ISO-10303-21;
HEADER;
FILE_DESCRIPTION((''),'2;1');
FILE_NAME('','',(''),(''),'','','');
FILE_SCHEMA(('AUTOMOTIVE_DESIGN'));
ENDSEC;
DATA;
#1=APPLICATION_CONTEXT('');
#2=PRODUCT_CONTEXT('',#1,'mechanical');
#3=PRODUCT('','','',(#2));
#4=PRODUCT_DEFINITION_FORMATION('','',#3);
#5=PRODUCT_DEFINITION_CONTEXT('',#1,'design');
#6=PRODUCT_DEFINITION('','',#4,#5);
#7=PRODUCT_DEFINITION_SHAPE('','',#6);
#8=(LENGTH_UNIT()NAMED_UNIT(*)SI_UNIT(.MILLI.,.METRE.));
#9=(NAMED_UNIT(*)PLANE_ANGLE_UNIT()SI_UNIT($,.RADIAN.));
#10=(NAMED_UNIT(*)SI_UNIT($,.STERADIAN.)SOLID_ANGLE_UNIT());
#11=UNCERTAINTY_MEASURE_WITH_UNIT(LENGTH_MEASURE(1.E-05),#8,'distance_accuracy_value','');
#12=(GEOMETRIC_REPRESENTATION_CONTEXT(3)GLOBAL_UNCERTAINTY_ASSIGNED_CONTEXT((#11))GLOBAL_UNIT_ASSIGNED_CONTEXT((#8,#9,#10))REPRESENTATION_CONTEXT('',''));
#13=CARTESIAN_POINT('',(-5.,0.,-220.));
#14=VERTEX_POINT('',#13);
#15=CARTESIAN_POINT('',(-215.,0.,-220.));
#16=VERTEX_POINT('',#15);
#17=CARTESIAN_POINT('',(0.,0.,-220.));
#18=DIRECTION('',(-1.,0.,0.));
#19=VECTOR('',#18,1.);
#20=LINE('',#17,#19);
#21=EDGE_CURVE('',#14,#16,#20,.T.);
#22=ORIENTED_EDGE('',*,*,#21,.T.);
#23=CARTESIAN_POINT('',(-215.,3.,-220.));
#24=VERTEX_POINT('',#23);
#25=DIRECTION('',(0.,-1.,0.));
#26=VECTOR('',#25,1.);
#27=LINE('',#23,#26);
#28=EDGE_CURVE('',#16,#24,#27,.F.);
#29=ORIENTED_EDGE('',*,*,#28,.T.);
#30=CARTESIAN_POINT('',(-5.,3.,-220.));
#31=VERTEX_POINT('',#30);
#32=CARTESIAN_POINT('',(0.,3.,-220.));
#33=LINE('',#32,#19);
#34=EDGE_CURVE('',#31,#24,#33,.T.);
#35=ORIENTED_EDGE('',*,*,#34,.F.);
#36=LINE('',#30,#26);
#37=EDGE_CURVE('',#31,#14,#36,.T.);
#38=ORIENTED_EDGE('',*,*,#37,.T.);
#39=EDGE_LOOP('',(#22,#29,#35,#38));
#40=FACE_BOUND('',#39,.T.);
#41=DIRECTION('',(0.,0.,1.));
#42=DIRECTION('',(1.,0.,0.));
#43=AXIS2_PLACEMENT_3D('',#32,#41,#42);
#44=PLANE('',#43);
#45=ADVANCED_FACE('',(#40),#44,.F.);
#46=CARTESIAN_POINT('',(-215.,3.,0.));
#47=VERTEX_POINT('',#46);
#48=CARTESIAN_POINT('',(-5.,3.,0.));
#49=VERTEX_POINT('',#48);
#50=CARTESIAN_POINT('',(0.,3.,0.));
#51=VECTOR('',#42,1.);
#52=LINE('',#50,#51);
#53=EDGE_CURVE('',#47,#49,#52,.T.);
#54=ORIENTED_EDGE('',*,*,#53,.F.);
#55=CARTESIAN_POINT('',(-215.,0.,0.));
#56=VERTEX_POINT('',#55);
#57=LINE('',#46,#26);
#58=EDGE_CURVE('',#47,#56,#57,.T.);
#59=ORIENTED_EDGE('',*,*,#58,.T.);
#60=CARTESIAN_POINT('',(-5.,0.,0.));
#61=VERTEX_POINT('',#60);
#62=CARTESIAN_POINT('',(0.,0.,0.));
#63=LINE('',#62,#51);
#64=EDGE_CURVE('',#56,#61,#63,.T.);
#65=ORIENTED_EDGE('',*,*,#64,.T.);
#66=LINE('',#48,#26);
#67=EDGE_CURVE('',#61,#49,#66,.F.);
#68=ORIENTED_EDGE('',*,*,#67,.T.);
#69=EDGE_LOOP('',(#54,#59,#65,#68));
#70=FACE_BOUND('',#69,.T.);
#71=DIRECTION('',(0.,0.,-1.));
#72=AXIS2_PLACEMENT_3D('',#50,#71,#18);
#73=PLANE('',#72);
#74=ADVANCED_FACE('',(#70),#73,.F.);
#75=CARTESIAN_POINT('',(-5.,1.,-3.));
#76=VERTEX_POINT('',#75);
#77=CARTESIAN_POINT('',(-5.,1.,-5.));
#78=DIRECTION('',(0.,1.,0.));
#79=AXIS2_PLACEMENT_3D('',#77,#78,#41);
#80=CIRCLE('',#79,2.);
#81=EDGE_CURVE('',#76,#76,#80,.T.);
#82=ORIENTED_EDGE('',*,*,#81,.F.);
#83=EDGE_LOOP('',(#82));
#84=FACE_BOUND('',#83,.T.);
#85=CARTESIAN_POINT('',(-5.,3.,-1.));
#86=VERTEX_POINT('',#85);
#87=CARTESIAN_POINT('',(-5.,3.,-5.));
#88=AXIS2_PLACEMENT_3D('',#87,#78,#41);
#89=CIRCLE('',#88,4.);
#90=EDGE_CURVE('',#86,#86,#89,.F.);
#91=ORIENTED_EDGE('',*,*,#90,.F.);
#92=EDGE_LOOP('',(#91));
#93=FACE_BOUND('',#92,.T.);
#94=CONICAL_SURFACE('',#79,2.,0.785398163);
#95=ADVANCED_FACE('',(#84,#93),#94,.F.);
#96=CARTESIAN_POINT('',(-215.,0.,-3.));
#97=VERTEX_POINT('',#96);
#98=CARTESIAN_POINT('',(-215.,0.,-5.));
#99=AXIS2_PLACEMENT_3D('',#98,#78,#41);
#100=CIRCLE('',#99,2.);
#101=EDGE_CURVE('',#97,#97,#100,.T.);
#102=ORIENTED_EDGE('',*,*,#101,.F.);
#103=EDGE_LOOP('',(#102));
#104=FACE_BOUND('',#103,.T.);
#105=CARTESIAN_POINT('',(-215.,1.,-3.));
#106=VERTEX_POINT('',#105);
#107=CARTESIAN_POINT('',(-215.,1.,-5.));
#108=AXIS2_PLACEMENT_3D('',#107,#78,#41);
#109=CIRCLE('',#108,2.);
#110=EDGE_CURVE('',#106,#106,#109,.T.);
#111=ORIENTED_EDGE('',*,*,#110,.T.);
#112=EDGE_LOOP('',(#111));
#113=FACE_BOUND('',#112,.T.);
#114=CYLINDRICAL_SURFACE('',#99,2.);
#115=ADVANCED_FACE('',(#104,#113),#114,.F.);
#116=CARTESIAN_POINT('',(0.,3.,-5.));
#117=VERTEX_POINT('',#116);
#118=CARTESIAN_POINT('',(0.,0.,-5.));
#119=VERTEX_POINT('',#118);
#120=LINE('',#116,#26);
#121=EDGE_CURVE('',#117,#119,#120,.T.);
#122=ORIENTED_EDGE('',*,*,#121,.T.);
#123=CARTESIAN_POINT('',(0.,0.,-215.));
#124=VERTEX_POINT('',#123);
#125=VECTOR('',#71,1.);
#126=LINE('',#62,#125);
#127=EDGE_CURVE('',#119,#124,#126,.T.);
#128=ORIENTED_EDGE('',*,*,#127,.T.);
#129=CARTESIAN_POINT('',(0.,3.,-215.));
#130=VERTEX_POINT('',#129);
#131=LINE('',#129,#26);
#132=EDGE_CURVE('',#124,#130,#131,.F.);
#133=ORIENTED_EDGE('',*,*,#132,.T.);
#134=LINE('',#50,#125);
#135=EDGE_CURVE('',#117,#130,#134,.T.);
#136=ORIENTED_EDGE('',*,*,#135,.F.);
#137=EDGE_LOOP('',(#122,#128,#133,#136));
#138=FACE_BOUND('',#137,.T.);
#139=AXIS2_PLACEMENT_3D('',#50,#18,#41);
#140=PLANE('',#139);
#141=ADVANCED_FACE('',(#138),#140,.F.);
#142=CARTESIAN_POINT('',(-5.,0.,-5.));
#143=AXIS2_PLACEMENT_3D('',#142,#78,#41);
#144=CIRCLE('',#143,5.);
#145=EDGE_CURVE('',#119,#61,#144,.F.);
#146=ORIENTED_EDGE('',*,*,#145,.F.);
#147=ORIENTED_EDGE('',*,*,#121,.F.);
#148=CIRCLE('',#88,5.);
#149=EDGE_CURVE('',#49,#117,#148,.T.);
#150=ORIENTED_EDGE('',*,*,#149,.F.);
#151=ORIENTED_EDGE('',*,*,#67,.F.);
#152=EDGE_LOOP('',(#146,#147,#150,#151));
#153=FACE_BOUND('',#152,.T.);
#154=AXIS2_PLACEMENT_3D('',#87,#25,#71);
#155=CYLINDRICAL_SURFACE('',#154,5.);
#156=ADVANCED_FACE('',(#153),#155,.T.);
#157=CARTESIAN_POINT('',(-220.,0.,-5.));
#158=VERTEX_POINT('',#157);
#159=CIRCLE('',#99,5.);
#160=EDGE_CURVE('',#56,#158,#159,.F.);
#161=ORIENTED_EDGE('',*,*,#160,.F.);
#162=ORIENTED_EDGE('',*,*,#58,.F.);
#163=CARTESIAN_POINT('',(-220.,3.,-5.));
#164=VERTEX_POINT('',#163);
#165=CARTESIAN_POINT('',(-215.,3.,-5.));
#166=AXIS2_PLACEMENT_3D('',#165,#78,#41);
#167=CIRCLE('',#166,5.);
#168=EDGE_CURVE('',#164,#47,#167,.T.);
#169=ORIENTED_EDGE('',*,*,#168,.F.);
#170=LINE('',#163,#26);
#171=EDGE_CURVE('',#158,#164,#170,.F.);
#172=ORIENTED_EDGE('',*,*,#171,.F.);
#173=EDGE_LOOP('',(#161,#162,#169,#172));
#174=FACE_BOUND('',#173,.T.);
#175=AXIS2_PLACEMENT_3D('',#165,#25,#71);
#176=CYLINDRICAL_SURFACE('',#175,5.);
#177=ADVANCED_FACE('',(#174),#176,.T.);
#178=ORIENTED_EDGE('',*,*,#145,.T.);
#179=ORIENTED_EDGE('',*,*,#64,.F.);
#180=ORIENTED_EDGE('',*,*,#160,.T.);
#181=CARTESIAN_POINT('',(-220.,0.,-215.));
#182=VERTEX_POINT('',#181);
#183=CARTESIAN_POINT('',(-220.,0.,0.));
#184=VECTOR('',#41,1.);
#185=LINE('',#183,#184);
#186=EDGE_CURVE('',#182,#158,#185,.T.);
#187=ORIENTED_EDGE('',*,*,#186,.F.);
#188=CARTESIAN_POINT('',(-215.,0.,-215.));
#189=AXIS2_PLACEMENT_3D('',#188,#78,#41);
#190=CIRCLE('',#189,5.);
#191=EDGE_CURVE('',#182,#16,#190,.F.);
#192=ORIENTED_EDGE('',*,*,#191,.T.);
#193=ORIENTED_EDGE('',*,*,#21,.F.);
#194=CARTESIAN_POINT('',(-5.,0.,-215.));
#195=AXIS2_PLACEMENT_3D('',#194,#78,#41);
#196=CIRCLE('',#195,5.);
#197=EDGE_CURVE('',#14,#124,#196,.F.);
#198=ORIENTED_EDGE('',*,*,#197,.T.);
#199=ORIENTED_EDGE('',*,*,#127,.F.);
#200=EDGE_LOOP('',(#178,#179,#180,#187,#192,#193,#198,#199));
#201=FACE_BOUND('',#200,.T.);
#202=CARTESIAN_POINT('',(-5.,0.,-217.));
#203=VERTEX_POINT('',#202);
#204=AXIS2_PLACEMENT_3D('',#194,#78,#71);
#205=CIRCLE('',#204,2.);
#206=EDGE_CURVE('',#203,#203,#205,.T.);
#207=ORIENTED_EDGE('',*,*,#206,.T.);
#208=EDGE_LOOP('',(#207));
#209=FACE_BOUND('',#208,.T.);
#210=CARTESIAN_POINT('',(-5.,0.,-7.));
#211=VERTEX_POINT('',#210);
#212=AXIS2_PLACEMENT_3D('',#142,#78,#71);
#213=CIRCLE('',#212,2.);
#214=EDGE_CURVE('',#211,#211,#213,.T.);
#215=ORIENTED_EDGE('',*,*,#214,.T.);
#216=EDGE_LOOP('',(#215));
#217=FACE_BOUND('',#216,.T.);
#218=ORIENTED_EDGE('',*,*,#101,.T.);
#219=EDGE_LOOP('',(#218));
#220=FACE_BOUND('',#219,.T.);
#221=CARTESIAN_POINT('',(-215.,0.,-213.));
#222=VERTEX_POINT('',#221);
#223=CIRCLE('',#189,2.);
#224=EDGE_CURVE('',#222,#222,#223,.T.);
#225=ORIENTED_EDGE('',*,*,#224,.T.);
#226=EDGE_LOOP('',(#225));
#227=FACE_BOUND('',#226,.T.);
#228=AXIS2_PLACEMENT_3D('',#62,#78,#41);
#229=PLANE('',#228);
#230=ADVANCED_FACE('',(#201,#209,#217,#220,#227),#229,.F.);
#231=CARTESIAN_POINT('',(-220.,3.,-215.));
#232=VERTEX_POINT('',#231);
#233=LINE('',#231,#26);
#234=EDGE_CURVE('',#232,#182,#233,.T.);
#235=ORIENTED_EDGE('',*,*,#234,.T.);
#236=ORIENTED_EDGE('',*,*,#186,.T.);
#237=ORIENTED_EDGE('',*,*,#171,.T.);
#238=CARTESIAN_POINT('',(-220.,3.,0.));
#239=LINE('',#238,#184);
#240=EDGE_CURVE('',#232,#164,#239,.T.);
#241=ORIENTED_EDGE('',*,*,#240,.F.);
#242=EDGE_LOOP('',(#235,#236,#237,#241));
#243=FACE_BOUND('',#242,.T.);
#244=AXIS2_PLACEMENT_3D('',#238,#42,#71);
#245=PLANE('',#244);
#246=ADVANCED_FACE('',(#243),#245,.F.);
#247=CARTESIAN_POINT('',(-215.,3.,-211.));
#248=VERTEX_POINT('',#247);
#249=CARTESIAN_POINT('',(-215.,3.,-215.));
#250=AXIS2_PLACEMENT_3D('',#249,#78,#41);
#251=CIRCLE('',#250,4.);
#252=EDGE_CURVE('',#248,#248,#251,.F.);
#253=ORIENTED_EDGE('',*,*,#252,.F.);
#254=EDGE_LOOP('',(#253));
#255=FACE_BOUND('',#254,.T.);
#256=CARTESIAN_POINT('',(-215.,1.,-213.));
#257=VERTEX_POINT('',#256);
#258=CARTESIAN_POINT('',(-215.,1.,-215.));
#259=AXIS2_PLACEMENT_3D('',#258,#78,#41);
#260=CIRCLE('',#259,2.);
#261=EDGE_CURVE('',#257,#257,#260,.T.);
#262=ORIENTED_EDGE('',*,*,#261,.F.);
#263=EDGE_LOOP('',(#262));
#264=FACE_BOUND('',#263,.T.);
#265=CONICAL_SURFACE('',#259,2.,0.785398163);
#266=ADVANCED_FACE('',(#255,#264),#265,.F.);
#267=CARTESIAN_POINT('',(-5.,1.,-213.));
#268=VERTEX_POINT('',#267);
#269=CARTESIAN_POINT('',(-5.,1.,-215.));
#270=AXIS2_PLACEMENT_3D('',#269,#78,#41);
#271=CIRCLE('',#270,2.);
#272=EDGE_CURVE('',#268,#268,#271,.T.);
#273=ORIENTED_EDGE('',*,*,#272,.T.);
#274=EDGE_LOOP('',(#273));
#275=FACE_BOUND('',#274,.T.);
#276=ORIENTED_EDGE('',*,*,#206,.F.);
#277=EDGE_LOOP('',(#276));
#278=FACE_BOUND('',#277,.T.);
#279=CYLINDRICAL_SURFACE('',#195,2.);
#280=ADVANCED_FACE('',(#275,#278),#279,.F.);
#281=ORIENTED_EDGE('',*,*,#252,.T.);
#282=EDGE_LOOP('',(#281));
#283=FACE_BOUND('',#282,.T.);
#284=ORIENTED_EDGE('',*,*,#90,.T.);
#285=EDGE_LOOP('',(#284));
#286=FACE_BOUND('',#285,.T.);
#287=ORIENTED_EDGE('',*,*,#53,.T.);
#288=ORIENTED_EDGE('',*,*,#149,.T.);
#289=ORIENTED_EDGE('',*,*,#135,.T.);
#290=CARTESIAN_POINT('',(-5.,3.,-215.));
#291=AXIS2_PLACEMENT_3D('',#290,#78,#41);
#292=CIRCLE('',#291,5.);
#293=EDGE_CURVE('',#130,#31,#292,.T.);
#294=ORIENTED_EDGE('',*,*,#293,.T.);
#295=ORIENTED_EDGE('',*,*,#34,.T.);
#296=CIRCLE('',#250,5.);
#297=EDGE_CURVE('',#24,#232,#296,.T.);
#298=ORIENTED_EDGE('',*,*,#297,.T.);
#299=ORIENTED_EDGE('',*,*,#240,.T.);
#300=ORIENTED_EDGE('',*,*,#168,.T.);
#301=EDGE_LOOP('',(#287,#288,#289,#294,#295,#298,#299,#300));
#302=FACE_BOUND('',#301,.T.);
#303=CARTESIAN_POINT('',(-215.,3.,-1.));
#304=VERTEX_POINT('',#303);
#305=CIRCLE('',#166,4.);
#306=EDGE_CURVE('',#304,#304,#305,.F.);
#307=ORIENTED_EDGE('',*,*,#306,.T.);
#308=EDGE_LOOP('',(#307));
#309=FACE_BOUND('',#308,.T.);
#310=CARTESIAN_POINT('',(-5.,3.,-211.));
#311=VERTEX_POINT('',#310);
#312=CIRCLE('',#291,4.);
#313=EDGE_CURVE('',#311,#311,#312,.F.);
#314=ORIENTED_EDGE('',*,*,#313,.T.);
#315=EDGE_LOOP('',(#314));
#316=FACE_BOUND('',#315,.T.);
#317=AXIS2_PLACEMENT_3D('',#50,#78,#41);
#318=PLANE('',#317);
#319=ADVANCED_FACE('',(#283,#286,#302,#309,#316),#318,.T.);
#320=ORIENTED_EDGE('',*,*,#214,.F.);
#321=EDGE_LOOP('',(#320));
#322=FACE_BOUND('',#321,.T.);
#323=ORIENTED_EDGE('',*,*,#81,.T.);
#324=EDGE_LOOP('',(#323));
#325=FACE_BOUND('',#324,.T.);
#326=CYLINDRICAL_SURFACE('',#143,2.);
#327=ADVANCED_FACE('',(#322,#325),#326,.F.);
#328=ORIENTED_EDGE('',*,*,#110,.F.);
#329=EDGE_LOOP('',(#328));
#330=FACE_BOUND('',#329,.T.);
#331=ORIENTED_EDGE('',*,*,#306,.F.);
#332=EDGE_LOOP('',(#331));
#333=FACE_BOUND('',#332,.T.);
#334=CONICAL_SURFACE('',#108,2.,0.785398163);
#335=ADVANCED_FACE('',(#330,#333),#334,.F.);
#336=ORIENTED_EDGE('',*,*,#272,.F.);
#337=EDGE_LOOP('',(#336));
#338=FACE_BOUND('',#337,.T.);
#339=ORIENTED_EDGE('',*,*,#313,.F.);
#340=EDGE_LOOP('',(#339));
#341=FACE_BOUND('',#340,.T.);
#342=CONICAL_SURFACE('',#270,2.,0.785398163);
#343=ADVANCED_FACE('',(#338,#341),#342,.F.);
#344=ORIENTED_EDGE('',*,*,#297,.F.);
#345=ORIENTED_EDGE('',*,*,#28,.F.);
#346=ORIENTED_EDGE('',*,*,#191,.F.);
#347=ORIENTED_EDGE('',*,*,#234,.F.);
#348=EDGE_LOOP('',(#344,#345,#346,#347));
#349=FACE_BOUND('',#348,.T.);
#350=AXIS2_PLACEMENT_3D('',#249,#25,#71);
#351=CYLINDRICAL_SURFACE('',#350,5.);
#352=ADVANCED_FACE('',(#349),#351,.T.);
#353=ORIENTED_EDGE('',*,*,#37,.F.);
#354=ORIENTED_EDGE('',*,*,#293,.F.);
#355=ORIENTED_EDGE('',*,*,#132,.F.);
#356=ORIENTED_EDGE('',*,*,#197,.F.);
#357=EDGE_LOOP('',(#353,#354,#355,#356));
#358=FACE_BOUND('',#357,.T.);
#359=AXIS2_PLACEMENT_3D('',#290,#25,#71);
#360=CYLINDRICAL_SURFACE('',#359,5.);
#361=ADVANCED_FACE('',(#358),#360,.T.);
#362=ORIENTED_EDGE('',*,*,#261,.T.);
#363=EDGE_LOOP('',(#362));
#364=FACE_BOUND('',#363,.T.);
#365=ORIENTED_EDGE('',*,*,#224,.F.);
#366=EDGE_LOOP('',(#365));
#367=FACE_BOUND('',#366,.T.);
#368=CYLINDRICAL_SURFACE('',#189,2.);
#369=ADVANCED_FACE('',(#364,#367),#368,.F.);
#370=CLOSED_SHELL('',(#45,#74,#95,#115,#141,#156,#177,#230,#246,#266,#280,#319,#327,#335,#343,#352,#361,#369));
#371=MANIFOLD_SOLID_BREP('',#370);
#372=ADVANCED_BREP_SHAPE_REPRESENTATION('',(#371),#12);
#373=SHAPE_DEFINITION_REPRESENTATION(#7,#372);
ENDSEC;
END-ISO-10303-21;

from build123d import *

# Parameters (mm, degrees)
SKETCH1_W           = 220
SKETCH1_H           = 220
BOSS_EXTRUDE1_DEPTH = 3
FILLET1_R           = 5
SKETCH2_R           = 2
CUT_EXTRUDE1_DEPTH  = 3
CHAMFER1_SIZE       = 2


with BuildPart() as part:
    # Sketch1 → Boss-Extrude1 (new body)
    with BuildSketch(Plane(origin=(0, 0, 0), x_dir=(1, 0, 0), z_dir=(0, 1, 0))):
        with Locations((-110, 110)):
            Rectangle(SKETCH1_W, SKETCH1_H)
    extrude(amount=BOSS_EXTRUDE1_DEPTH)

    # Fillet1
    fillet1_edges = [part.edges().sort_by_distance(p)[0] for p in [
        (0, 1.5, 0),
        (-220, 1.5, 0),
        (-220, 1.5, -220),
        (0, 1.5, -220),
    ]]
    fillet(fillet1_edges, radius=FILLET1_R)

    # Sketch2 → Cut-Extrude1 (cut)
    with BuildSketch(Plane(origin=(0, 3, 0), x_dir=(1, 0, 0), z_dir=(0, 1, 0))):
        with Locations(Location((-215, 215, 0), (0, 0, 270))):
            Circle(SKETCH2_R)
        with Locations(Location((-215, 5, 0), (0, 0, 270))):
            Circle(SKETCH2_R)
        with Locations(Location((-5, 5, 0), (0, 0, 90))):
            Circle(SKETCH2_R)
        with Locations(Location((-5, 215, 0), (0, 0, 90))):
            Circle(SKETCH2_R)
    extrude(amount=-CUT_EXTRUDE1_DEPTH, mode=Mode.SUBTRACT)

    # Chamfer1
    chamfer1_edges = [part.edges().sort_by_distance(p)[0] for p in [
        (-5, 3, -213),
        (-5, 3, -3),
        (-215, 3, -7),
        (-215, 3, -217),
    ]]
    chamfer(chamfer1_edges, length=CHAMFER1_SIZE)


solid = part.part
